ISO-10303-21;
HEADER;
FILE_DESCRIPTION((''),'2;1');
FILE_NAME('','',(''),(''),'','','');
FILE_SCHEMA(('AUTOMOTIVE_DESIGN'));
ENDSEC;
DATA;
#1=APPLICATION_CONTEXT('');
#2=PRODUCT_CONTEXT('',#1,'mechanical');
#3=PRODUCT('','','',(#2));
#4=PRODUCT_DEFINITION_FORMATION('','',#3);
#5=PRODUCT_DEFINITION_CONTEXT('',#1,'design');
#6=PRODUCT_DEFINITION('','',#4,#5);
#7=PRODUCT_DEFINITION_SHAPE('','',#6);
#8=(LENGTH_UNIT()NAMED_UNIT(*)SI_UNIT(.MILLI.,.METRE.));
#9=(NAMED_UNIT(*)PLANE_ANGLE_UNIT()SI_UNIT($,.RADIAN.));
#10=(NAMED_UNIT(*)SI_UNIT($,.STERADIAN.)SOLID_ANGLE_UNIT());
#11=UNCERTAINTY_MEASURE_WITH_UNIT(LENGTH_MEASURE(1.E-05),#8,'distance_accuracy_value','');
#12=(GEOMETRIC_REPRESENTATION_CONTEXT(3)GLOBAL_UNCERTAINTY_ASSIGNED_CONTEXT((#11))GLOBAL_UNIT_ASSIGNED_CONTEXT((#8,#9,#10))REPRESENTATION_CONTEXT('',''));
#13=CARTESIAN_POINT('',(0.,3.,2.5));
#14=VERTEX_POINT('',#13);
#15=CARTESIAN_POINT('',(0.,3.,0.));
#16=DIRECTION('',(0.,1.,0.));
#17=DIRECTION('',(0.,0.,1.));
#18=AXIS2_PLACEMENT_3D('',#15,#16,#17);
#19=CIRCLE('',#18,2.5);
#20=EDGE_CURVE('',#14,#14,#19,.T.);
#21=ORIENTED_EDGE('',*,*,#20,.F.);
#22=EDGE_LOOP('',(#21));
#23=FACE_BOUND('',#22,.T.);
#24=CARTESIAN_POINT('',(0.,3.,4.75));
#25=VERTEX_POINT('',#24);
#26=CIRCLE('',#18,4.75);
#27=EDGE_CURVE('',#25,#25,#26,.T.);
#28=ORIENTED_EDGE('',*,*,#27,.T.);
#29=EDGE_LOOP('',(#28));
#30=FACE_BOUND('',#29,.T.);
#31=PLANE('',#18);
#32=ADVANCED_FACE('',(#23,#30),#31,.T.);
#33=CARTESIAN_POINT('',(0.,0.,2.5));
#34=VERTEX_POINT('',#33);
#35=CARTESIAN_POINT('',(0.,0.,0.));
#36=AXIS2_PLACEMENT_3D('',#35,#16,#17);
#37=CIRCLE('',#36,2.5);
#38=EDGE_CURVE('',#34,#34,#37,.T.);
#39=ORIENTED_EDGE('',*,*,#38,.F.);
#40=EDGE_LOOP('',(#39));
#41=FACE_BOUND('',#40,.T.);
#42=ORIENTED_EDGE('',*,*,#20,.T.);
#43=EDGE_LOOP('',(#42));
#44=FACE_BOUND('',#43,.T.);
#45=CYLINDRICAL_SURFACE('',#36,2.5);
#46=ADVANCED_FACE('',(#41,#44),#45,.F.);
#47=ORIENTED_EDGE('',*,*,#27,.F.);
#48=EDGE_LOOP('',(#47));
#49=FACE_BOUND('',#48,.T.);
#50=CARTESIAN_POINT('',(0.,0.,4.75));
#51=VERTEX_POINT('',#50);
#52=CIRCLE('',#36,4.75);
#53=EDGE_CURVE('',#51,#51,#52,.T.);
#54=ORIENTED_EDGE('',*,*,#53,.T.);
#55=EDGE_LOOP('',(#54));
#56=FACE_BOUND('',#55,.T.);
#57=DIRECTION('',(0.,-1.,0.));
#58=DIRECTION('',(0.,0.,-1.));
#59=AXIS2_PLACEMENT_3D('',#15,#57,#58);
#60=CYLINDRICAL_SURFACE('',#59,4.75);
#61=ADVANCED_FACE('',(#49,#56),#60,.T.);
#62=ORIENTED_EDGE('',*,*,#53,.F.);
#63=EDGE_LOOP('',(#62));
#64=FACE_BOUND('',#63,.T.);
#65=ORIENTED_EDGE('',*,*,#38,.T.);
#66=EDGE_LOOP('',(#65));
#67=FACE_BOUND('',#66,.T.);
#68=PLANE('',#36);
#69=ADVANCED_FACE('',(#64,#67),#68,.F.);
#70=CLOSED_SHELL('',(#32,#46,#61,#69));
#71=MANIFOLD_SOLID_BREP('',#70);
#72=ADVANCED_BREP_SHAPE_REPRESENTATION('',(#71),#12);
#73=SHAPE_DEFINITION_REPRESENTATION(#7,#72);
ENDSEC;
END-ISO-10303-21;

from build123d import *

# Parameters (mm, degrees)
SKETCH1_R      = 4.75
EXTRUDE1_DEPTH = 3
SKETCH2_R      = 2.5
EXTRUDE2_DEPTH = 8.356969485


with BuildPart() as part:
    # Sketch1 → Extrude1 (new body)
    with BuildSketch(Plane(origin=(0, 0, 0), x_dir=(1, 0, 0), z_dir=(0, 1, 0))):
        Circle(SKETCH1_R)
    extrude(amount=EXTRUDE1_DEPTH)

    # Sketch2 → Extrude2 (cut, through all)
    with BuildSketch(Plane(origin=(0, 3, 0), x_dir=(1, 0, 0), z_dir=(0, 1, 0))):
        Circle(SKETCH2_R)
    extrude(amount=-EXTRUDE2_DEPTH, mode=Mode.SUBTRACT)


solid = part.part
